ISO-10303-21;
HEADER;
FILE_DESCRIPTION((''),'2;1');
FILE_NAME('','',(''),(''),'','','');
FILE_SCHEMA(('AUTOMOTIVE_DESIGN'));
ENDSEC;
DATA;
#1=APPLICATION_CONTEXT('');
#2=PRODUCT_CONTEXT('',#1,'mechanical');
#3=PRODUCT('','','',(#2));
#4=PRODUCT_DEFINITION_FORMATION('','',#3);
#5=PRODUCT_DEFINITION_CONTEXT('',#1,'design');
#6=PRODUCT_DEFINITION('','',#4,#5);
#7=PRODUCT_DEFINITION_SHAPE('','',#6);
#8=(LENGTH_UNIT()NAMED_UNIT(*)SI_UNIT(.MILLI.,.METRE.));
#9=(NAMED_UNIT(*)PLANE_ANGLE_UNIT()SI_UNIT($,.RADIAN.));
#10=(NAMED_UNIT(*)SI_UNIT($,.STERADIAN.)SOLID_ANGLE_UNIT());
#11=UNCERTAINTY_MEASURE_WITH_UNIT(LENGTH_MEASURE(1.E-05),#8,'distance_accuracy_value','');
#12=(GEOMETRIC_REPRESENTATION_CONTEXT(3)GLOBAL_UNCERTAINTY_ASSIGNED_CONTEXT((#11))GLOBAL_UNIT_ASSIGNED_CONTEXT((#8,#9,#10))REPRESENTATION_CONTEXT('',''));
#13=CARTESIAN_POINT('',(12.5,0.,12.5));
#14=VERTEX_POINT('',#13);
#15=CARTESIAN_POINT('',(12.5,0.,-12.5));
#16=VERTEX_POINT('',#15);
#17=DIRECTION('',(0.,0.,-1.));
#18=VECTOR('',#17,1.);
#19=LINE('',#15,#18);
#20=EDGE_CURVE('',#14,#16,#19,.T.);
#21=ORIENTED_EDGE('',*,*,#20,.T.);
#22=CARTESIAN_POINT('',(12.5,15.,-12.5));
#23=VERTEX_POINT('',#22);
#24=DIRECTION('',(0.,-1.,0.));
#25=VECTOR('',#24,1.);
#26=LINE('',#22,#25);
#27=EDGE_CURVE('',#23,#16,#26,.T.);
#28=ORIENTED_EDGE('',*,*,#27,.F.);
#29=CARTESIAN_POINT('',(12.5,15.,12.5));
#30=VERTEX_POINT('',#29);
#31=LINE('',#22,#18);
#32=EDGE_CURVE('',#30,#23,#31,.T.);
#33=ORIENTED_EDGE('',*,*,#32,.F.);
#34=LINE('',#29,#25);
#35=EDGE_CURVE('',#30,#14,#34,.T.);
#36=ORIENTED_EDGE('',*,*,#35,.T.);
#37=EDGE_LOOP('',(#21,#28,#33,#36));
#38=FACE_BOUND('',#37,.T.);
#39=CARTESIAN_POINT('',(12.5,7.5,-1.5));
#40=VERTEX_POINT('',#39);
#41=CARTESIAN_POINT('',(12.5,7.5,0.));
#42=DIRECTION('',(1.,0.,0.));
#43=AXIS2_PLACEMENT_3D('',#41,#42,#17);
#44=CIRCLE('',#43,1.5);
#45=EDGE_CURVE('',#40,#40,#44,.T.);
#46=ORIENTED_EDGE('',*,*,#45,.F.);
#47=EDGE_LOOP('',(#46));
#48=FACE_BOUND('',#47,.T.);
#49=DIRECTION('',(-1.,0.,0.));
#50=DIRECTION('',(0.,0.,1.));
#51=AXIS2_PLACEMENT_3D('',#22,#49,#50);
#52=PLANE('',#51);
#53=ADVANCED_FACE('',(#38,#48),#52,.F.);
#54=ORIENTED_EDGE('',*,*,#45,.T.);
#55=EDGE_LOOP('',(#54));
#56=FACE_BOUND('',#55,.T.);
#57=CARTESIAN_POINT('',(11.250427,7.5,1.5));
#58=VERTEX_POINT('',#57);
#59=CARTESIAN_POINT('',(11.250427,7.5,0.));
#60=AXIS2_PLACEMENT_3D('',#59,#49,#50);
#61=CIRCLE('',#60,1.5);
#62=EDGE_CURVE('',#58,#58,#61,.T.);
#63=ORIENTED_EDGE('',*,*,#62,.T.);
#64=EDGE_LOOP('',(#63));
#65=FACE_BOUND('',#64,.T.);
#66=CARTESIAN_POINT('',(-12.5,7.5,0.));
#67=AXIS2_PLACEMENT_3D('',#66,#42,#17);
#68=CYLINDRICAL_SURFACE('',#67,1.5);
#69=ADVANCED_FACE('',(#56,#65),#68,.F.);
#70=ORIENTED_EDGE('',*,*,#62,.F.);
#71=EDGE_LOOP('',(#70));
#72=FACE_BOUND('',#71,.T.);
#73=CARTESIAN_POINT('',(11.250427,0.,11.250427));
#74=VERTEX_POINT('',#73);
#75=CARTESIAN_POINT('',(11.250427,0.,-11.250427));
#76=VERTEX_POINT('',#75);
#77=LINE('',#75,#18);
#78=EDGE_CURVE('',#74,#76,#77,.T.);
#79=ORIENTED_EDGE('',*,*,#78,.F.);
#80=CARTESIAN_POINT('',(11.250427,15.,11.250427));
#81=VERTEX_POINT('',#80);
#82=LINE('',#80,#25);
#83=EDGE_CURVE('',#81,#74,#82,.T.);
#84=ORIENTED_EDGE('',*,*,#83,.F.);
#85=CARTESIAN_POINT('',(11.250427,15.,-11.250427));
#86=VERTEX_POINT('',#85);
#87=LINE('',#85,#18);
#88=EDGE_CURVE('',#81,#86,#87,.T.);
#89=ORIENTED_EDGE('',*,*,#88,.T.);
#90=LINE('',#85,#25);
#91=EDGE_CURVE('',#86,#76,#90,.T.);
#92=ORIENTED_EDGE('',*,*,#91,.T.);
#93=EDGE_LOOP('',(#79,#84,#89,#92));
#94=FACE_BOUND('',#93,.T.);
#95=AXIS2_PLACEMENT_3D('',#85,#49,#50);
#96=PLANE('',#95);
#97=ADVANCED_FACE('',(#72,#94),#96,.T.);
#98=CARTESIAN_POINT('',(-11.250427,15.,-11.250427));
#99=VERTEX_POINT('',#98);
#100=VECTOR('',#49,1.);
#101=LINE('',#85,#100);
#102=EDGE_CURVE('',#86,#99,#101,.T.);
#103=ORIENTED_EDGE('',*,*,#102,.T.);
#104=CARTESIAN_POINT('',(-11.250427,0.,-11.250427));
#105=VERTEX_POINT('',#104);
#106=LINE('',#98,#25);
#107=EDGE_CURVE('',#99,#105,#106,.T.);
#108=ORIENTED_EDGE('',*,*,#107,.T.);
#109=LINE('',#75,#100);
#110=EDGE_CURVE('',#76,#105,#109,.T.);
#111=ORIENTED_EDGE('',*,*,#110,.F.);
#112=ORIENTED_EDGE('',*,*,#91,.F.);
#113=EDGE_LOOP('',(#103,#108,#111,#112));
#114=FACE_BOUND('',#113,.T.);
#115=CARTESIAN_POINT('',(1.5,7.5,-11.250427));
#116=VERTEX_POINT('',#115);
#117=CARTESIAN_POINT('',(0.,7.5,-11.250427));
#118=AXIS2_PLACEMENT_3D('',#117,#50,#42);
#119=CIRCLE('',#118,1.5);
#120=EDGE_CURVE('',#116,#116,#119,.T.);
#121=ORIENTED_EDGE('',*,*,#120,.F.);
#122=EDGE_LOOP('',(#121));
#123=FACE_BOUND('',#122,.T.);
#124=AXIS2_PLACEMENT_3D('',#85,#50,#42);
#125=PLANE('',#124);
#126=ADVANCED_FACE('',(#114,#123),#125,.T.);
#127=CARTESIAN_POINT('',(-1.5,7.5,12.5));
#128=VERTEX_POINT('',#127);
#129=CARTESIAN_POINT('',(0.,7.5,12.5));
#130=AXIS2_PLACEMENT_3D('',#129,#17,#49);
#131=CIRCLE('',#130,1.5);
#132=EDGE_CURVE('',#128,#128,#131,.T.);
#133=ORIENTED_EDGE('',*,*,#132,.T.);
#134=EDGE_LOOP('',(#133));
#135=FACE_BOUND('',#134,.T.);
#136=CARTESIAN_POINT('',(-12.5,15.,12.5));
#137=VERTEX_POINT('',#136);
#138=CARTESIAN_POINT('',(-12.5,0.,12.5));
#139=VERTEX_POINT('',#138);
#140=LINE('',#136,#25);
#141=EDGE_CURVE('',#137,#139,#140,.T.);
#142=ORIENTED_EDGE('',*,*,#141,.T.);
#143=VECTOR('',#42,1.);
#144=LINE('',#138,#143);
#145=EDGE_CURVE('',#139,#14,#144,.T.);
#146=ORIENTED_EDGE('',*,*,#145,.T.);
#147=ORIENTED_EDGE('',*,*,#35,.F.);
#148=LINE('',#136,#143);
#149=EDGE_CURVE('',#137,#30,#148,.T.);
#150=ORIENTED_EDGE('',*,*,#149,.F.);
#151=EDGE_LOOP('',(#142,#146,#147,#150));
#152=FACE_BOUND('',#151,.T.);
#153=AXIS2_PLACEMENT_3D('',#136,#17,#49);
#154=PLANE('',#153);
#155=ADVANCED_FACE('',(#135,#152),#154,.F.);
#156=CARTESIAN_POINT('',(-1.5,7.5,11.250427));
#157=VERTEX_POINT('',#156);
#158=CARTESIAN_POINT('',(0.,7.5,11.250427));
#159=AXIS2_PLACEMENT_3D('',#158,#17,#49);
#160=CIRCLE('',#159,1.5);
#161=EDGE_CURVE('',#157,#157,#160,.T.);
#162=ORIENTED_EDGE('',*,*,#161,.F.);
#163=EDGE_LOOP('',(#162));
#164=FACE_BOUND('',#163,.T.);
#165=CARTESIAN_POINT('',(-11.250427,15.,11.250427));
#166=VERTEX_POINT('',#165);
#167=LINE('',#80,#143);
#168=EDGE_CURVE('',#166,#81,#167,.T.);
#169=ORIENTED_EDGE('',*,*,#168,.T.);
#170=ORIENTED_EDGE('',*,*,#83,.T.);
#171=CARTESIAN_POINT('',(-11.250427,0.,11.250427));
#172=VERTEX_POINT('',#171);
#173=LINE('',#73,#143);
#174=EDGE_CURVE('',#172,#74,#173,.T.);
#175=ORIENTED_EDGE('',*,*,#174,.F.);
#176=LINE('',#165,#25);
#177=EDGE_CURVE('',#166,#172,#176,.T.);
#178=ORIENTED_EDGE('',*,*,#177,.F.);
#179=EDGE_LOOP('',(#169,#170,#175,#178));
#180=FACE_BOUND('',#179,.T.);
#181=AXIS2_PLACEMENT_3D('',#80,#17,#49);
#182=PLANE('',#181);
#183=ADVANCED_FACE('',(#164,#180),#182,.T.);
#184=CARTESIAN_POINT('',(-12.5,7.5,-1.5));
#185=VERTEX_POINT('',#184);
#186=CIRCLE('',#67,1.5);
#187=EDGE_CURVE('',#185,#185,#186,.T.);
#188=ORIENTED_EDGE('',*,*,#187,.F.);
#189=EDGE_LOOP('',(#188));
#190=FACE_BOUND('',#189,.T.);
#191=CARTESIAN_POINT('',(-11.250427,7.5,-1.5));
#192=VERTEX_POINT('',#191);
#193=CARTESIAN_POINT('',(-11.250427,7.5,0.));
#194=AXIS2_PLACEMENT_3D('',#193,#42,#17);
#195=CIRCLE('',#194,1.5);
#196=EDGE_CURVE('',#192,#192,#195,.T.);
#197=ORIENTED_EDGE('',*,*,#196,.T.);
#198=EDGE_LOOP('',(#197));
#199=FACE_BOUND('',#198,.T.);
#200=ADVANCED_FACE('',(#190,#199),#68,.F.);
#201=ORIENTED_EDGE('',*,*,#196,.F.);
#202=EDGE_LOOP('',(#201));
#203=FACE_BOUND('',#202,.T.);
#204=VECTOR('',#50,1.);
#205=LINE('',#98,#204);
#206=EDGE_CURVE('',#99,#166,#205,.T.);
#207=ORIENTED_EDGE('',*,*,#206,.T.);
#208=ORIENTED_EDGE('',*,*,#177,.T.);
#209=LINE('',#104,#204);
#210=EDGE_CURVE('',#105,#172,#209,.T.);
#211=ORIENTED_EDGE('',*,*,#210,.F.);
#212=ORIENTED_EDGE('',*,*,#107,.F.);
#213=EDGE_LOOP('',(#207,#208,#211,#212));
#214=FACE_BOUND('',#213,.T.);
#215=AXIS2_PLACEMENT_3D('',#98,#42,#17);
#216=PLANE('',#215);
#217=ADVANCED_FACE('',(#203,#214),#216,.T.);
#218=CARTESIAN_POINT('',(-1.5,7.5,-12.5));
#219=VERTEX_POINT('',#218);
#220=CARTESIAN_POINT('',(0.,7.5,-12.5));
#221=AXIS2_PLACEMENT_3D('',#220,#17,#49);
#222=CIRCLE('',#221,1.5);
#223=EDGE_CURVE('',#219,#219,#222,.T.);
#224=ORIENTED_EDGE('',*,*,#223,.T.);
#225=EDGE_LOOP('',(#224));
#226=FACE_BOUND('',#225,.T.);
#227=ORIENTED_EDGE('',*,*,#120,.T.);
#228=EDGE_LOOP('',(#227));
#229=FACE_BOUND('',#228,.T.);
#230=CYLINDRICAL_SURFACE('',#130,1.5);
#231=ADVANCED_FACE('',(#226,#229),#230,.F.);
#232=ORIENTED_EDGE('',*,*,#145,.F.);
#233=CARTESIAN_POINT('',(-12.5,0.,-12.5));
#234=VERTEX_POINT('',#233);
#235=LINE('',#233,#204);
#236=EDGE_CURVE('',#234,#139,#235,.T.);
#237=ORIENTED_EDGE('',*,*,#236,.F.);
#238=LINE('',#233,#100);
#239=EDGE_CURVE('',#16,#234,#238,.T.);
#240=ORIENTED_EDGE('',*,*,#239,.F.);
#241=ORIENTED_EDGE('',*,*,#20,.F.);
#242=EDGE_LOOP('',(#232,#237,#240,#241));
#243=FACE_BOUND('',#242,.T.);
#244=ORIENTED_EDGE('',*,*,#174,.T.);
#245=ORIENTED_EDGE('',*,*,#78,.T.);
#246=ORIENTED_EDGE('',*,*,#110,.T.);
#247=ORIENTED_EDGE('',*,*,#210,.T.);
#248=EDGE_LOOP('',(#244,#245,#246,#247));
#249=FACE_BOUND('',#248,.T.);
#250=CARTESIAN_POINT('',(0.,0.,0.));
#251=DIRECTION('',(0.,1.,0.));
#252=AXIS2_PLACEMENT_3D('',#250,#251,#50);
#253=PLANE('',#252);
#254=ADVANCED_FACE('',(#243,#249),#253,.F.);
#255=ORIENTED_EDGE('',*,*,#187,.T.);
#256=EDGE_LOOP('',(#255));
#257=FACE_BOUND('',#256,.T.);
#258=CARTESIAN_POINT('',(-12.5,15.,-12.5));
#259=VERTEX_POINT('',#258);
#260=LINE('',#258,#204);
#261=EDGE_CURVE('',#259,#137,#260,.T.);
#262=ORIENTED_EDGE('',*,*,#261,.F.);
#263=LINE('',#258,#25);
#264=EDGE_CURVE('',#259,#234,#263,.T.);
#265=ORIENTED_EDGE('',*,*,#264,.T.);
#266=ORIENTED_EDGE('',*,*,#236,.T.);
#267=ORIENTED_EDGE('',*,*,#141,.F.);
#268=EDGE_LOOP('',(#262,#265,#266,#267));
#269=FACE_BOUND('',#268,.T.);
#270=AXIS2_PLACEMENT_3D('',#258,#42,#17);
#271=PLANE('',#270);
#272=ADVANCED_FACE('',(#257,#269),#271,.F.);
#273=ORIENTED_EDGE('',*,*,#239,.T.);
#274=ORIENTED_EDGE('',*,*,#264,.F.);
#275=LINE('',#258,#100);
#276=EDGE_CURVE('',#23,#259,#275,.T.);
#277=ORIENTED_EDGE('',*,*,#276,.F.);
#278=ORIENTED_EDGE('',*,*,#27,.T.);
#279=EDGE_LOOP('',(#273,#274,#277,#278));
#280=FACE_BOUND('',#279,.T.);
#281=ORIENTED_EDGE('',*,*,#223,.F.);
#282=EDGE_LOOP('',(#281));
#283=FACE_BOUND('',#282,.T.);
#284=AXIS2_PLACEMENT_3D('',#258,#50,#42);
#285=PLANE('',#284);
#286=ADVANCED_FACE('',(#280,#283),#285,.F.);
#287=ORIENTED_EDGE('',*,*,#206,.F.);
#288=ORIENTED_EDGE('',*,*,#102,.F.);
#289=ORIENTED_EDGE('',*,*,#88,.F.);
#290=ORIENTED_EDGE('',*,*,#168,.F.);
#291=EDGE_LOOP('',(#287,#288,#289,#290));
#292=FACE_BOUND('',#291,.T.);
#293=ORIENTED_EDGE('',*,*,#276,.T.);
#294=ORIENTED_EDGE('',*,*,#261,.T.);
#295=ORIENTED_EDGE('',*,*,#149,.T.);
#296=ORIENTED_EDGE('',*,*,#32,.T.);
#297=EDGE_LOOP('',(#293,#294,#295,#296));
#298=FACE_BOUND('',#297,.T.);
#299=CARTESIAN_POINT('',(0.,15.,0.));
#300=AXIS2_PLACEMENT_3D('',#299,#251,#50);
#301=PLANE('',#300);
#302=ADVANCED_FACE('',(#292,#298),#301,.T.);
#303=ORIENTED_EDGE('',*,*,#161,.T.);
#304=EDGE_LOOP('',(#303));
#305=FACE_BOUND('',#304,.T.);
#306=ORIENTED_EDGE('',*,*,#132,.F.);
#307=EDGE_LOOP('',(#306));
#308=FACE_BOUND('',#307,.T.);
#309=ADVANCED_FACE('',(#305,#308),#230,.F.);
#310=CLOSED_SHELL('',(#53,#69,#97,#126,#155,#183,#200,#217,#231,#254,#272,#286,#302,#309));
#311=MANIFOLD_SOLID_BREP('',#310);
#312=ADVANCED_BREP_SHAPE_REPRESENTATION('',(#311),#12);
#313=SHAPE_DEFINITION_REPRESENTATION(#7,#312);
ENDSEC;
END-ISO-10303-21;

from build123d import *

# Parameters (mm, degrees)
SKETCH1_W           = 25
SKETCH1_H           = 25
SKETCH1_W_2         = 22.500853306
SKETCH1_H_2         = 22.500853306
BOSS_EXTRUDE1_DEPTH = 15
SKETCH2_R           = 1.5
CUT_EXTRUDE1_DEPTH  = 32.721443851
SKETCH3_R           = 1.5
CUT_EXTRUDE2_DEPTH  = 32.721443851


with BuildPart() as part:
    # Sketch1 → Boss-Extrude1 (new body)
    with BuildSketch(Plane(origin=(0, 0, 0), x_dir=(1, 0, 0), z_dir=(0, 1, 0))):
        Rectangle(SKETCH1_W, SKETCH1_H)
        Rectangle(SKETCH1_W_2, SKETCH1_H_2, mode=Mode.SUBTRACT)
    extrude(amount=BOSS_EXTRUDE1_DEPTH)

    # Sketch2 → Cut-Extrude1 (cut, through all)
    with BuildSketch(Plane(origin=(0, 0, -12.5), x_dir=(-1, 0, 0), z_dir=(0, 0, -1))):
        with Locations((0, 7.5)):
            Circle(SKETCH2_R)
    extrude(amount=-CUT_EXTRUDE1_DEPTH, mode=Mode.SUBTRACT)

    # Sketch3 → Cut-Extrude2 (cut, through all)
    with BuildSketch(Plane(origin=(12.5, 0, 0), x_dir=(0, 0, -1), z_dir=(1, 0, 0))):
        with Locations((0, 7.5)):
            Circle(SKETCH3_R)
    extrude(amount=-CUT_EXTRUDE2_DEPTH, mode=Mode.SUBTRACT)


solid = part.part
